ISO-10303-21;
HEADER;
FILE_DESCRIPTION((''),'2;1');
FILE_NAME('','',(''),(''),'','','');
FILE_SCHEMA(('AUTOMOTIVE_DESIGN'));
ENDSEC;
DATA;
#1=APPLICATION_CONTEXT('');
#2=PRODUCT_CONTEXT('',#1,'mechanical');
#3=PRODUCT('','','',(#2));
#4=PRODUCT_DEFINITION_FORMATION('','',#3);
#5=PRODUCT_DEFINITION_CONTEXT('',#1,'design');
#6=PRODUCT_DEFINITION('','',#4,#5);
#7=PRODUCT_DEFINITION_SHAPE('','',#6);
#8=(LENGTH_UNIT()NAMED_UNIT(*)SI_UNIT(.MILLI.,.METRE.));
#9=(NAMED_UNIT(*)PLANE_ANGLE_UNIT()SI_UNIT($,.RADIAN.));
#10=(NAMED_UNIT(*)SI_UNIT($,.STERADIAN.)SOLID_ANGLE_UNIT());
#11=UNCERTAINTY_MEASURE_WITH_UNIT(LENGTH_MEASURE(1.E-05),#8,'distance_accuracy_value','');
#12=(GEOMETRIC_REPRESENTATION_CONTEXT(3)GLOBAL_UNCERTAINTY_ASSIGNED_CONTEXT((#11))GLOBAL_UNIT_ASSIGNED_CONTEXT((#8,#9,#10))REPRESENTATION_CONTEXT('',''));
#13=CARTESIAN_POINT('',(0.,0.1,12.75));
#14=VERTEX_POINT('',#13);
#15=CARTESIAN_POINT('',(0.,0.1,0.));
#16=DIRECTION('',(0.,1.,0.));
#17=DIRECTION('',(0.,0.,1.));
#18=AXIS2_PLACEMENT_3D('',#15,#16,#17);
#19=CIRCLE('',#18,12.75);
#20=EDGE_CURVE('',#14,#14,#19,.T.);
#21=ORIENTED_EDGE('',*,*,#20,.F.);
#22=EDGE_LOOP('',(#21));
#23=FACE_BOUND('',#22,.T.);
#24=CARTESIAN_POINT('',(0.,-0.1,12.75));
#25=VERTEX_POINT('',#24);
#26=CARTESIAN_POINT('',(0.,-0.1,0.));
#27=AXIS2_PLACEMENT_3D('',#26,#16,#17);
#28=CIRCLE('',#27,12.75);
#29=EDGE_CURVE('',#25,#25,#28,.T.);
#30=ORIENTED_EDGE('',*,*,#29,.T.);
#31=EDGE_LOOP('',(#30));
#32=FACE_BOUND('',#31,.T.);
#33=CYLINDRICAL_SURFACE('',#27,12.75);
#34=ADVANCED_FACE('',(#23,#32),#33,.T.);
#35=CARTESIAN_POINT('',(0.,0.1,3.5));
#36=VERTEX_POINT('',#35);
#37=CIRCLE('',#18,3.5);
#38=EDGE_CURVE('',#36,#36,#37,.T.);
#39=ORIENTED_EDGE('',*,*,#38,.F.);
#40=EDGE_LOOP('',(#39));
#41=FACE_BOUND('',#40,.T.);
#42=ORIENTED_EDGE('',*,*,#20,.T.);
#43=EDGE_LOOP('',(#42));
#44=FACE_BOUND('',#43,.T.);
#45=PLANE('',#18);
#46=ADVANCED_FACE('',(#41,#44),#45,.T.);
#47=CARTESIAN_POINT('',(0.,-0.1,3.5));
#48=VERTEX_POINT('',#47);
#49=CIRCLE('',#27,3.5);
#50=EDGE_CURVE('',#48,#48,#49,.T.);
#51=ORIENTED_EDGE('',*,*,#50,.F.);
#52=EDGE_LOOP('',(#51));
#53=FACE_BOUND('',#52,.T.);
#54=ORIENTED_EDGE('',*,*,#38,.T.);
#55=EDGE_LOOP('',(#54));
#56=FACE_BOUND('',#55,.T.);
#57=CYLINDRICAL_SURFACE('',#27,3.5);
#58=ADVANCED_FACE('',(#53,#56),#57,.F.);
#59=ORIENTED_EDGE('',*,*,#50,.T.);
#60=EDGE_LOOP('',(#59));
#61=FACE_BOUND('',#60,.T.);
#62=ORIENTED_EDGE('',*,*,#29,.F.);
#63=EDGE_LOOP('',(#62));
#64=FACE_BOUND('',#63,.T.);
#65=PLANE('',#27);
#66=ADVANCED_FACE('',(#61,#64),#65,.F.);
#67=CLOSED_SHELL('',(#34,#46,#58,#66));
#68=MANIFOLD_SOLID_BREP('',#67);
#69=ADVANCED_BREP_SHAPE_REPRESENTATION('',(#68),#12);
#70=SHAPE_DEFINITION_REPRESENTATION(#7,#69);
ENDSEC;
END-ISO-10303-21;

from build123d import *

# Parameters (mm, degrees)
SKIZZE1_R                            = 12.75
SKIZZE1_R_2                          = 3.5
AUFSATZ_LINEAR_AUSTRAGEN1_DEPTH      = 0.1
AUFSATZ_LINEAR_AUSTRAGEN1_DEPTH_BACK = 0.1


with BuildPart() as part:
    # Skizze1 → Aufsatz-Linear austragen1 (new body, two sides)
    with BuildSketch(Plane(origin=(0, 0, 0), x_dir=(1, 0, 0), z_dir=(0, 1, 0))) as aufsatz_linear_austragen1_sk:
        Circle(SKIZZE1_R)
        Circle(SKIZZE1_R_2, mode=Mode.SUBTRACT)
    extrude(amount=AUFSATZ_LINEAR_AUSTRAGEN1_DEPTH)
    extrude(aufsatz_linear_austragen1_sk.sketch, amount=-AUFSATZ_LINEAR_AUSTRAGEN1_DEPTH_BACK)


solid = part.part
